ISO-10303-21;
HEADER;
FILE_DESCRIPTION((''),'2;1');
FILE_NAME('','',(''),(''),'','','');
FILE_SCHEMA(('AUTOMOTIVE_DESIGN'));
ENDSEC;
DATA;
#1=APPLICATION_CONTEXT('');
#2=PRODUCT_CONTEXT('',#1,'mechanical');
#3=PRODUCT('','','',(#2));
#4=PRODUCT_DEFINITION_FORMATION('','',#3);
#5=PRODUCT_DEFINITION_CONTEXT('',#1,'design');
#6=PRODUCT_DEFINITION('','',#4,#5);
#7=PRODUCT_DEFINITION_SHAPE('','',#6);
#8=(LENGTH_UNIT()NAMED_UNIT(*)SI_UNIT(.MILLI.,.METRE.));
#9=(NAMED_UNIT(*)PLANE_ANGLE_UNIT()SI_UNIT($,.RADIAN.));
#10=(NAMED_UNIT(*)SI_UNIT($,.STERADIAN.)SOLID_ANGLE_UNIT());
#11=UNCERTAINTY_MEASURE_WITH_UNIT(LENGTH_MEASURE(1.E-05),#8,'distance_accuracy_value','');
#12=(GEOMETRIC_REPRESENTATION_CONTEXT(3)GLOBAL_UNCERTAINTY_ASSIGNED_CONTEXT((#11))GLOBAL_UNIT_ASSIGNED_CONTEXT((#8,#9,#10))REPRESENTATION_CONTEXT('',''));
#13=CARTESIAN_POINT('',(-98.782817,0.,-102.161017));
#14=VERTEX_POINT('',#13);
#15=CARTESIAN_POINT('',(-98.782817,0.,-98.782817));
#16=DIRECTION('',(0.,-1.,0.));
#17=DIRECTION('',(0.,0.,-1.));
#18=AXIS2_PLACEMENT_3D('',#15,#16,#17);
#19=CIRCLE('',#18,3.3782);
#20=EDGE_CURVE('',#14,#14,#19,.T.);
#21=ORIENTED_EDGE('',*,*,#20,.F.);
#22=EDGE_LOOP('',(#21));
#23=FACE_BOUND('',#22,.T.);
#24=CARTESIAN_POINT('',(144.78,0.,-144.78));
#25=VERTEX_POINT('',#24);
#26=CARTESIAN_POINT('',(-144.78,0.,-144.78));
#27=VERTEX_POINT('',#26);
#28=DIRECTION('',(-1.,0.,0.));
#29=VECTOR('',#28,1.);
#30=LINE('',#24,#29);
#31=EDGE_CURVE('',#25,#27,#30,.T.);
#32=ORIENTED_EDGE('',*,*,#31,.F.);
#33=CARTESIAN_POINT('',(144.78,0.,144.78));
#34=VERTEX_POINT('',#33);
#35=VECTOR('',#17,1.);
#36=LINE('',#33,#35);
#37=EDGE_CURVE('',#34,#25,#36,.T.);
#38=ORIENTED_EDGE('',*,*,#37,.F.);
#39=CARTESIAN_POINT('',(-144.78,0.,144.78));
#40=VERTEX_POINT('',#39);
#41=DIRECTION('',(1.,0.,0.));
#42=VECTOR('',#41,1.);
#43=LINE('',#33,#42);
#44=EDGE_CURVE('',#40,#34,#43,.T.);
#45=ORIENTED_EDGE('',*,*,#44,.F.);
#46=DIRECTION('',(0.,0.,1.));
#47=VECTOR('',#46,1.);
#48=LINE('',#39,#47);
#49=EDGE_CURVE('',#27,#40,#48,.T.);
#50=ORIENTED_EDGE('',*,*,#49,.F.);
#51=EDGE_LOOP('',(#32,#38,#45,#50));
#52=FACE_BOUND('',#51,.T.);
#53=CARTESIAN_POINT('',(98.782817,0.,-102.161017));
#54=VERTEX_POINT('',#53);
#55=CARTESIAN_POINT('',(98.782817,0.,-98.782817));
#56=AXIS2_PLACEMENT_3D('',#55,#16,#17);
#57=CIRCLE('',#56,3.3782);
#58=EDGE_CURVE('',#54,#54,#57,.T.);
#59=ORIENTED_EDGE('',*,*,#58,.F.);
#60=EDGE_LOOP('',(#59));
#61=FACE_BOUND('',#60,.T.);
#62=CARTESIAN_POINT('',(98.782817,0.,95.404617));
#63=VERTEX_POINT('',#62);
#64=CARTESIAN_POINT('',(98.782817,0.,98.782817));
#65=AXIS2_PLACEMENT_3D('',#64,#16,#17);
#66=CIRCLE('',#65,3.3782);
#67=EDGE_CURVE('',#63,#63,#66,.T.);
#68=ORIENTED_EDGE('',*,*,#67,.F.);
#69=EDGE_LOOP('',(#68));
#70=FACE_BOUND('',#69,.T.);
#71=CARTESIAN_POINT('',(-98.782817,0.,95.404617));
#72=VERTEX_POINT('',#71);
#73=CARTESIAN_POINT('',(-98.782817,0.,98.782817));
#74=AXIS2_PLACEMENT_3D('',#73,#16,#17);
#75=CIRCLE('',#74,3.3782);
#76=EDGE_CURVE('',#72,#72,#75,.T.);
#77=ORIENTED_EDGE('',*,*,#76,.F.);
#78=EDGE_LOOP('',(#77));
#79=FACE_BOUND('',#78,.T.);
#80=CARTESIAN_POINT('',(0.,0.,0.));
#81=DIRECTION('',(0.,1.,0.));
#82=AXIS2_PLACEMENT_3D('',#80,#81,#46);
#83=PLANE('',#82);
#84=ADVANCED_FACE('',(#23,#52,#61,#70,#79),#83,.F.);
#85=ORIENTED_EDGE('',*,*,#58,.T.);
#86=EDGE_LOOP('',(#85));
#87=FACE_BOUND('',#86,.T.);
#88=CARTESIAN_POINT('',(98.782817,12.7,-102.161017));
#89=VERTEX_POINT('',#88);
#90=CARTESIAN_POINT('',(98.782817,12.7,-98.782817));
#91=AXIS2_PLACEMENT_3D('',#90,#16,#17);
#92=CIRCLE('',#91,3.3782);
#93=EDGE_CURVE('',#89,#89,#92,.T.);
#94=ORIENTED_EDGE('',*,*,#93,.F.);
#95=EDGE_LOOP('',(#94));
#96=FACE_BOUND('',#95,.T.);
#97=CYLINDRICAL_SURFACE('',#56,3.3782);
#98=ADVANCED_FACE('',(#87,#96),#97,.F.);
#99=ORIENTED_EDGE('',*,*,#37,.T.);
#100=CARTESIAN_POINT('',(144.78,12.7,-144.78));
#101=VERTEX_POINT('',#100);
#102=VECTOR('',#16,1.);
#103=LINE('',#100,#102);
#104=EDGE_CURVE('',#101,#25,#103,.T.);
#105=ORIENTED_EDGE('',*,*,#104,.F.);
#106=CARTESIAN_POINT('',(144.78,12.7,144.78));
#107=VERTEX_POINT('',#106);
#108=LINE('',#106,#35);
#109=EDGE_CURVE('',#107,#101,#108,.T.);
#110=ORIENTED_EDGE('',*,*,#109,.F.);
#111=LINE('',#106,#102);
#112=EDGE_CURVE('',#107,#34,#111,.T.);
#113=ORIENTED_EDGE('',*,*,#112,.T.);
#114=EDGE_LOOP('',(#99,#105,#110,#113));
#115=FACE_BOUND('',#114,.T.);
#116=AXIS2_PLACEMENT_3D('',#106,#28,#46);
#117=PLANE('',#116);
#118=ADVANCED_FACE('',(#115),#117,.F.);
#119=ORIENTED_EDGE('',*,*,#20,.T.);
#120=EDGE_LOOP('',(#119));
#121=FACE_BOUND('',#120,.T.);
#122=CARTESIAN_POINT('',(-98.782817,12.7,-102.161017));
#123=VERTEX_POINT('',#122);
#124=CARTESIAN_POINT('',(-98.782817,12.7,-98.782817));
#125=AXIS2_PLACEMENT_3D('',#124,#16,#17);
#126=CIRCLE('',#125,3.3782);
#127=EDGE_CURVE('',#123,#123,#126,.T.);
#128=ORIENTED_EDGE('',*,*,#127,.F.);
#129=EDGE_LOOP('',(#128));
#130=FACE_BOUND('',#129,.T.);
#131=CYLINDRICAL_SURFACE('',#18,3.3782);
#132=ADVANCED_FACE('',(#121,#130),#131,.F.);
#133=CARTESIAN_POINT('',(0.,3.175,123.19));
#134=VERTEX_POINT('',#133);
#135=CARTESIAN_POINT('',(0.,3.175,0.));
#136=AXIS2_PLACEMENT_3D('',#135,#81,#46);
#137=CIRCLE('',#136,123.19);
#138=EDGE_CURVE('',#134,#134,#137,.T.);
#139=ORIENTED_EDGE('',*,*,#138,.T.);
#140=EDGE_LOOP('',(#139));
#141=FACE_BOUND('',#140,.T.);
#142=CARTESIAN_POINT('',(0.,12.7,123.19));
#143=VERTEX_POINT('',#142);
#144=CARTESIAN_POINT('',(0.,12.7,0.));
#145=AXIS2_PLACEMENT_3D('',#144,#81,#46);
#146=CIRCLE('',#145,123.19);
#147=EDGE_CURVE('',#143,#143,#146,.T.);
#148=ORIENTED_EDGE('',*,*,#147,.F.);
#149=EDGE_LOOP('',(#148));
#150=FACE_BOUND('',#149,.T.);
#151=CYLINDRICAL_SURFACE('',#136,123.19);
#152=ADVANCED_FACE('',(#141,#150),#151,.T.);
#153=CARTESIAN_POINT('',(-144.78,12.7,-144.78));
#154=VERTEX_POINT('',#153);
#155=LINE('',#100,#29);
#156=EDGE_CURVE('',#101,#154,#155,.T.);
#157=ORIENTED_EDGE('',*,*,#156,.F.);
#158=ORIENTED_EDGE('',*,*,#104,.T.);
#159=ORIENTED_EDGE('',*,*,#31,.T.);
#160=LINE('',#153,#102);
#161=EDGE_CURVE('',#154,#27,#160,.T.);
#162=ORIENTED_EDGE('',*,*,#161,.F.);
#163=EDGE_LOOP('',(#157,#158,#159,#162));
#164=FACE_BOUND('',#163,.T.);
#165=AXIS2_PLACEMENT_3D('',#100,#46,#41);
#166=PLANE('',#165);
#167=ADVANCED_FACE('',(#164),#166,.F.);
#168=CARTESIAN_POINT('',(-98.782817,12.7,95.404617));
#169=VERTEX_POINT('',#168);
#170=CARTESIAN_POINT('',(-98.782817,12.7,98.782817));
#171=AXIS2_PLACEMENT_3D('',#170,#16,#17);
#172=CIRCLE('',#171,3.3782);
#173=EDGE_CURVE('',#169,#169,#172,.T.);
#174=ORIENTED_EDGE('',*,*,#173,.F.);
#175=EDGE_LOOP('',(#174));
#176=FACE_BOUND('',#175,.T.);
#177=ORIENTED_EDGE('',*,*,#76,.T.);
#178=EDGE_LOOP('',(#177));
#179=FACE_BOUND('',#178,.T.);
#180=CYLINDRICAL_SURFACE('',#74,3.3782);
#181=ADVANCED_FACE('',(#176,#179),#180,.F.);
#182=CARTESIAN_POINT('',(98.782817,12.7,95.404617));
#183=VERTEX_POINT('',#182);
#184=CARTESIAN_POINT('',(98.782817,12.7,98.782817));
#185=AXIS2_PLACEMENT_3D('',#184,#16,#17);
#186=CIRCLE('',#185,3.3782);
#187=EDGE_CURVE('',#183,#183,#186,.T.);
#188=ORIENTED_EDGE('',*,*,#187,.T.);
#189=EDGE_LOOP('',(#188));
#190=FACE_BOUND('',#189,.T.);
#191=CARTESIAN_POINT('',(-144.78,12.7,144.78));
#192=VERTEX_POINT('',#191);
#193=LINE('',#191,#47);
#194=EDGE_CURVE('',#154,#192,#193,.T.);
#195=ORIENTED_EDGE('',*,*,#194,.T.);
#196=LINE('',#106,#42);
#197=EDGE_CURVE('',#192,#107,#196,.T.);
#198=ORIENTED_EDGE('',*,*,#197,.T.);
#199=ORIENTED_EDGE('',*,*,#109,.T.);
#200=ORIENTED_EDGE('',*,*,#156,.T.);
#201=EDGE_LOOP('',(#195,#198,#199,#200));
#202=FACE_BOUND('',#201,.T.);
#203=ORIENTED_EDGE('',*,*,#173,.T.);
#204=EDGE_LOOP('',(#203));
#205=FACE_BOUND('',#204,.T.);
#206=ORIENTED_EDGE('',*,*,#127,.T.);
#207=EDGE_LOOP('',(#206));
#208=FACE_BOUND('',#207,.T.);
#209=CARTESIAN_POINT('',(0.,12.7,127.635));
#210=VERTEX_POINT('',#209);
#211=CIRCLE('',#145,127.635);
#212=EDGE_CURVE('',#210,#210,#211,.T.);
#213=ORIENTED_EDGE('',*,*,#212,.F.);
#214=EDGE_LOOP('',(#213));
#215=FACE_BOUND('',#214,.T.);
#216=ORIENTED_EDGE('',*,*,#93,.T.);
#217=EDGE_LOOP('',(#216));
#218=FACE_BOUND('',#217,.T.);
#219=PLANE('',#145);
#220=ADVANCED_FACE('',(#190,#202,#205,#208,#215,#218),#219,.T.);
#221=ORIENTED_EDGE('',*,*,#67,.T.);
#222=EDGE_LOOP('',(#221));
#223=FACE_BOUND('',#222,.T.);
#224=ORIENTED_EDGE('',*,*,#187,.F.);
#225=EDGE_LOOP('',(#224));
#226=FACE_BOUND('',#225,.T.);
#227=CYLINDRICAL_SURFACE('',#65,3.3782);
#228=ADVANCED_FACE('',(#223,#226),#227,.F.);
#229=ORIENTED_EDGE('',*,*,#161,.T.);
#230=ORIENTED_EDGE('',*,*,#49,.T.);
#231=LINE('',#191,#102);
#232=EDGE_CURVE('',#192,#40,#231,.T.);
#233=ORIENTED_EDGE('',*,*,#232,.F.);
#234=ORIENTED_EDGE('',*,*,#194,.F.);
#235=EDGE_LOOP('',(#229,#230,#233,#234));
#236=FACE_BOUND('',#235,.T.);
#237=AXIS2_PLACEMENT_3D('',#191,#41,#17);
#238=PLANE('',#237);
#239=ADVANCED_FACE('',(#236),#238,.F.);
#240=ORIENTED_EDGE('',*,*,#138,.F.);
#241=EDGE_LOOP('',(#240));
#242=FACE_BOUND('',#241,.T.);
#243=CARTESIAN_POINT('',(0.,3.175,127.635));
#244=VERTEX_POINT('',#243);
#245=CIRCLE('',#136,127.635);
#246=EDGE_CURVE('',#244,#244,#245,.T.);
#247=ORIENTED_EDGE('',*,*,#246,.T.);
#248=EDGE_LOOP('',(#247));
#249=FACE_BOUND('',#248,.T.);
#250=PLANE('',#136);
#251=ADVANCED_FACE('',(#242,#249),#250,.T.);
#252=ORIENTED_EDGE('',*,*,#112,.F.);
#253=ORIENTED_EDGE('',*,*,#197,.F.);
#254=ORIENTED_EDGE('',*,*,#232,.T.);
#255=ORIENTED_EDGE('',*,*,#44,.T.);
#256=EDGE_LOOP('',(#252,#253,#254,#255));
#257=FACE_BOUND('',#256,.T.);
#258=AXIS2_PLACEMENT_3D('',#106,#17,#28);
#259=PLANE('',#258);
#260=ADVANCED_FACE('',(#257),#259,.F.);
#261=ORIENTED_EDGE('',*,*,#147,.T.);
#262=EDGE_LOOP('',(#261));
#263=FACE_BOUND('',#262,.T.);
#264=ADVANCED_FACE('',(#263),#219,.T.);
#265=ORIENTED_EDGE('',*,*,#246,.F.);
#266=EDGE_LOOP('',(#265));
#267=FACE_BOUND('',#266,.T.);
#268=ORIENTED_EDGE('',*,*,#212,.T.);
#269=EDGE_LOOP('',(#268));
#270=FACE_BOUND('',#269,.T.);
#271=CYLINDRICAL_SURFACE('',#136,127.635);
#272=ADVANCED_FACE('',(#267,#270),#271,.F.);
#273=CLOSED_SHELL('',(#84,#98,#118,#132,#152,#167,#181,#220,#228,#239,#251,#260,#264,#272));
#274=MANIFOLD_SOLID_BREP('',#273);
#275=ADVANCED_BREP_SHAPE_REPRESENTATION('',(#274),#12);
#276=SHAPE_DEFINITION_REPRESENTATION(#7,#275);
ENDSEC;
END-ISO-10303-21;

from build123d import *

# Parameters (mm, degrees)
SKETCH1_W               = 289.56
SKETCH1_H               = 289.56
BOSS_EXTRUDE1_DEPTH     = 12.7
SKETCH7_R               = 127.635
SKETCH7_R_2             = 123.19
CUT_EXTRUDE1_DEPTH      = 9.525
F_1_4_CLEARANCE_HOLE1_D = 6.7564
CIRPATTERN1_COUNT       = 4


with BuildPart() as part:
    # Sketch1 → Boss-Extrude1 (new body)
    with BuildSketch(Plane(origin=(0, 0, 0), x_dir=(1, 0, 0), z_dir=(0, 1, 0))):
        Rectangle(SKETCH1_W, SKETCH1_H)
    extrude(amount=BOSS_EXTRUDE1_DEPTH)

    # Sketch7 → Cut-Extrude1 (cut)
    with BuildSketch(Plane(origin=(0, 12.7, 0), x_dir=(1, 0, 0), z_dir=(0, 1, 0))):
        Circle(SKETCH7_R)
        Circle(SKETCH7_R_2, mode=Mode.SUBTRACT)
    extrude(amount=-CUT_EXTRUDE1_DEPTH, mode=Mode.SUBTRACT)

    # 1/4 Clearance Hole1 (through all)
    with Locations(Plane(origin=(0, 0, 0), x_dir=(-1, 0, 0), z_dir=(0, -1, 0))):
        with Locations((98.782817332, -98.782817332)):
            f_1_4_clearance_hole1 = Hole(F_1_4_CLEARANCE_HOLE1_D / 2)

    # CirPattern1: 1/4 Clearance Hole1 ×4 about axis
    cirpattern1_axis = Axis((0, 0, 0), (0, 1, 0))
    for i in range(1, CIRPATTERN1_COUNT):
        add(f_1_4_clearance_hole1.rotate(cirpattern1_axis, i * 360 / CIRPATTERN1_COUNT), mode=Mode.SUBTRACT)


solid = part.part
